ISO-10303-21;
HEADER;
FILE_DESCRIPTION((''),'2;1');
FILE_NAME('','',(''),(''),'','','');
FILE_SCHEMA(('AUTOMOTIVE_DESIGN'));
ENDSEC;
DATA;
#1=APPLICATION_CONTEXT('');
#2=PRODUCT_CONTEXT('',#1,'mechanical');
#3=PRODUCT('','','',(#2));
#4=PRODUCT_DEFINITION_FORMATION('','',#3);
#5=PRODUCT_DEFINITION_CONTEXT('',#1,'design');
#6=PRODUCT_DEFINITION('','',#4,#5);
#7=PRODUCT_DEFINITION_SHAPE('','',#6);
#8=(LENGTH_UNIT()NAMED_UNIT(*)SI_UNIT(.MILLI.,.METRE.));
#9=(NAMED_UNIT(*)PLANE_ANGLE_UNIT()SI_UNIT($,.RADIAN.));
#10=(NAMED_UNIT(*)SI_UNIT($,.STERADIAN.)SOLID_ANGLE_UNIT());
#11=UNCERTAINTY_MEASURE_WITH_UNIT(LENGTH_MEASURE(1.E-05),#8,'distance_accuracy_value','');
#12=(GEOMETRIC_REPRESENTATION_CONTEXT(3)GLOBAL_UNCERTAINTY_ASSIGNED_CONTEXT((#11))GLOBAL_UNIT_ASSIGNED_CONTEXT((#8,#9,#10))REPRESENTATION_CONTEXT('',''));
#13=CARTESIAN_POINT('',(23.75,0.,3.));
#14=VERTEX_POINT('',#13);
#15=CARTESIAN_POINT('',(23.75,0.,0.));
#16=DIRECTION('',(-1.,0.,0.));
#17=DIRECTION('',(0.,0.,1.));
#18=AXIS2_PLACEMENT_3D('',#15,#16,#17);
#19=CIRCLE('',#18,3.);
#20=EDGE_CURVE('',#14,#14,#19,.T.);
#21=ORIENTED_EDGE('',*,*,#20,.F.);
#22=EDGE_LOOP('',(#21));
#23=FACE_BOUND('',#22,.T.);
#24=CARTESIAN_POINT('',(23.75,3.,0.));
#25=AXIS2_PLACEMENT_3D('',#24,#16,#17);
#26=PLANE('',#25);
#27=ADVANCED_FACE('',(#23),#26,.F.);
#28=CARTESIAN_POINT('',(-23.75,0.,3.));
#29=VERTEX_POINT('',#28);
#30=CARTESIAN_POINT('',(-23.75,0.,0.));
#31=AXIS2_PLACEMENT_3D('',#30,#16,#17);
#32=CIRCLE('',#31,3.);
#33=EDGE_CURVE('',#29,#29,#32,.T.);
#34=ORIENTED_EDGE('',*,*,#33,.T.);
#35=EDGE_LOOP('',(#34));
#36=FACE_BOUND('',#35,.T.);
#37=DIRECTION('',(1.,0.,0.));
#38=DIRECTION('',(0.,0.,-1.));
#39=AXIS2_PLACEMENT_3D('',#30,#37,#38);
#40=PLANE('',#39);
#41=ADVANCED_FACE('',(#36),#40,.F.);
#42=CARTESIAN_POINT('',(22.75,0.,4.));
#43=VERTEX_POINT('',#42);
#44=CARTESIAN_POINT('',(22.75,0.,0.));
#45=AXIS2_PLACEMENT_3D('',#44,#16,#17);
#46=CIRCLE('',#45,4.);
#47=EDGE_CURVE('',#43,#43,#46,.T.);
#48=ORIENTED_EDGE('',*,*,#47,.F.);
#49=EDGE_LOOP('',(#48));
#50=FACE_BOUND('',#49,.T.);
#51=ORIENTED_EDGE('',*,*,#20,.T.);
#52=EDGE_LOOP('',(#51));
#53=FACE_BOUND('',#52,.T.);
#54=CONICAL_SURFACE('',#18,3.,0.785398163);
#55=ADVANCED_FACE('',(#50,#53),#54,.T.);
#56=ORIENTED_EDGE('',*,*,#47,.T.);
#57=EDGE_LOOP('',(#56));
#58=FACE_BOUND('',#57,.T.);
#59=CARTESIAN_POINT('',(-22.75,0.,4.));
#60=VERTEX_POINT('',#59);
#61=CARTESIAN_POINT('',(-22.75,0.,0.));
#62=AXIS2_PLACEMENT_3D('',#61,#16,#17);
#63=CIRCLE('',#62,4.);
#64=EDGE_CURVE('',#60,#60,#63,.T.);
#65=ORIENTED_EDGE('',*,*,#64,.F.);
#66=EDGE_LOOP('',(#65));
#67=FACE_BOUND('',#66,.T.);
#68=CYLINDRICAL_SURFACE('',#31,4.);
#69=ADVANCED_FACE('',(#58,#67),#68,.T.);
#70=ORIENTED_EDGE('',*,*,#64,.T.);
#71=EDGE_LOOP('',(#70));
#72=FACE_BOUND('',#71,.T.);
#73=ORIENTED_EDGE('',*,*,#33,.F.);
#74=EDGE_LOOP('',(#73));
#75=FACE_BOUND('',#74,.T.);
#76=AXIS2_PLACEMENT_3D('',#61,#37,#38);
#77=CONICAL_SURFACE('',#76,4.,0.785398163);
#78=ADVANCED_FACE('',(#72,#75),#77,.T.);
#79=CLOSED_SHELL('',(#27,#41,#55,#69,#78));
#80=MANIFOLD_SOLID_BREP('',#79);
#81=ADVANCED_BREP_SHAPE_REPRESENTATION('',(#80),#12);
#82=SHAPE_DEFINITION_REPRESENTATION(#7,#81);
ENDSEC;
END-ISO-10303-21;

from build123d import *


with BuildPart() as part:
    # Sketch1 → Revolve1 (revolve)
    with BuildSketch(Plane.XY, mode=Mode.PRIVATE) as revolve1_sk:
        Polygon((-23.75, 0), (-23.75, 3), (-22.75, 4), (22.75, 4), (23.75, 3), (23.75, 0), align=None)
    revolve(revolve1_sk.sketch.rotate(Axis((-23.75, 0, 0), (1, 0, 0)), 90), axis=Axis((-23.75, 0, 0), (1, 0, 0)))


solid = part.part
